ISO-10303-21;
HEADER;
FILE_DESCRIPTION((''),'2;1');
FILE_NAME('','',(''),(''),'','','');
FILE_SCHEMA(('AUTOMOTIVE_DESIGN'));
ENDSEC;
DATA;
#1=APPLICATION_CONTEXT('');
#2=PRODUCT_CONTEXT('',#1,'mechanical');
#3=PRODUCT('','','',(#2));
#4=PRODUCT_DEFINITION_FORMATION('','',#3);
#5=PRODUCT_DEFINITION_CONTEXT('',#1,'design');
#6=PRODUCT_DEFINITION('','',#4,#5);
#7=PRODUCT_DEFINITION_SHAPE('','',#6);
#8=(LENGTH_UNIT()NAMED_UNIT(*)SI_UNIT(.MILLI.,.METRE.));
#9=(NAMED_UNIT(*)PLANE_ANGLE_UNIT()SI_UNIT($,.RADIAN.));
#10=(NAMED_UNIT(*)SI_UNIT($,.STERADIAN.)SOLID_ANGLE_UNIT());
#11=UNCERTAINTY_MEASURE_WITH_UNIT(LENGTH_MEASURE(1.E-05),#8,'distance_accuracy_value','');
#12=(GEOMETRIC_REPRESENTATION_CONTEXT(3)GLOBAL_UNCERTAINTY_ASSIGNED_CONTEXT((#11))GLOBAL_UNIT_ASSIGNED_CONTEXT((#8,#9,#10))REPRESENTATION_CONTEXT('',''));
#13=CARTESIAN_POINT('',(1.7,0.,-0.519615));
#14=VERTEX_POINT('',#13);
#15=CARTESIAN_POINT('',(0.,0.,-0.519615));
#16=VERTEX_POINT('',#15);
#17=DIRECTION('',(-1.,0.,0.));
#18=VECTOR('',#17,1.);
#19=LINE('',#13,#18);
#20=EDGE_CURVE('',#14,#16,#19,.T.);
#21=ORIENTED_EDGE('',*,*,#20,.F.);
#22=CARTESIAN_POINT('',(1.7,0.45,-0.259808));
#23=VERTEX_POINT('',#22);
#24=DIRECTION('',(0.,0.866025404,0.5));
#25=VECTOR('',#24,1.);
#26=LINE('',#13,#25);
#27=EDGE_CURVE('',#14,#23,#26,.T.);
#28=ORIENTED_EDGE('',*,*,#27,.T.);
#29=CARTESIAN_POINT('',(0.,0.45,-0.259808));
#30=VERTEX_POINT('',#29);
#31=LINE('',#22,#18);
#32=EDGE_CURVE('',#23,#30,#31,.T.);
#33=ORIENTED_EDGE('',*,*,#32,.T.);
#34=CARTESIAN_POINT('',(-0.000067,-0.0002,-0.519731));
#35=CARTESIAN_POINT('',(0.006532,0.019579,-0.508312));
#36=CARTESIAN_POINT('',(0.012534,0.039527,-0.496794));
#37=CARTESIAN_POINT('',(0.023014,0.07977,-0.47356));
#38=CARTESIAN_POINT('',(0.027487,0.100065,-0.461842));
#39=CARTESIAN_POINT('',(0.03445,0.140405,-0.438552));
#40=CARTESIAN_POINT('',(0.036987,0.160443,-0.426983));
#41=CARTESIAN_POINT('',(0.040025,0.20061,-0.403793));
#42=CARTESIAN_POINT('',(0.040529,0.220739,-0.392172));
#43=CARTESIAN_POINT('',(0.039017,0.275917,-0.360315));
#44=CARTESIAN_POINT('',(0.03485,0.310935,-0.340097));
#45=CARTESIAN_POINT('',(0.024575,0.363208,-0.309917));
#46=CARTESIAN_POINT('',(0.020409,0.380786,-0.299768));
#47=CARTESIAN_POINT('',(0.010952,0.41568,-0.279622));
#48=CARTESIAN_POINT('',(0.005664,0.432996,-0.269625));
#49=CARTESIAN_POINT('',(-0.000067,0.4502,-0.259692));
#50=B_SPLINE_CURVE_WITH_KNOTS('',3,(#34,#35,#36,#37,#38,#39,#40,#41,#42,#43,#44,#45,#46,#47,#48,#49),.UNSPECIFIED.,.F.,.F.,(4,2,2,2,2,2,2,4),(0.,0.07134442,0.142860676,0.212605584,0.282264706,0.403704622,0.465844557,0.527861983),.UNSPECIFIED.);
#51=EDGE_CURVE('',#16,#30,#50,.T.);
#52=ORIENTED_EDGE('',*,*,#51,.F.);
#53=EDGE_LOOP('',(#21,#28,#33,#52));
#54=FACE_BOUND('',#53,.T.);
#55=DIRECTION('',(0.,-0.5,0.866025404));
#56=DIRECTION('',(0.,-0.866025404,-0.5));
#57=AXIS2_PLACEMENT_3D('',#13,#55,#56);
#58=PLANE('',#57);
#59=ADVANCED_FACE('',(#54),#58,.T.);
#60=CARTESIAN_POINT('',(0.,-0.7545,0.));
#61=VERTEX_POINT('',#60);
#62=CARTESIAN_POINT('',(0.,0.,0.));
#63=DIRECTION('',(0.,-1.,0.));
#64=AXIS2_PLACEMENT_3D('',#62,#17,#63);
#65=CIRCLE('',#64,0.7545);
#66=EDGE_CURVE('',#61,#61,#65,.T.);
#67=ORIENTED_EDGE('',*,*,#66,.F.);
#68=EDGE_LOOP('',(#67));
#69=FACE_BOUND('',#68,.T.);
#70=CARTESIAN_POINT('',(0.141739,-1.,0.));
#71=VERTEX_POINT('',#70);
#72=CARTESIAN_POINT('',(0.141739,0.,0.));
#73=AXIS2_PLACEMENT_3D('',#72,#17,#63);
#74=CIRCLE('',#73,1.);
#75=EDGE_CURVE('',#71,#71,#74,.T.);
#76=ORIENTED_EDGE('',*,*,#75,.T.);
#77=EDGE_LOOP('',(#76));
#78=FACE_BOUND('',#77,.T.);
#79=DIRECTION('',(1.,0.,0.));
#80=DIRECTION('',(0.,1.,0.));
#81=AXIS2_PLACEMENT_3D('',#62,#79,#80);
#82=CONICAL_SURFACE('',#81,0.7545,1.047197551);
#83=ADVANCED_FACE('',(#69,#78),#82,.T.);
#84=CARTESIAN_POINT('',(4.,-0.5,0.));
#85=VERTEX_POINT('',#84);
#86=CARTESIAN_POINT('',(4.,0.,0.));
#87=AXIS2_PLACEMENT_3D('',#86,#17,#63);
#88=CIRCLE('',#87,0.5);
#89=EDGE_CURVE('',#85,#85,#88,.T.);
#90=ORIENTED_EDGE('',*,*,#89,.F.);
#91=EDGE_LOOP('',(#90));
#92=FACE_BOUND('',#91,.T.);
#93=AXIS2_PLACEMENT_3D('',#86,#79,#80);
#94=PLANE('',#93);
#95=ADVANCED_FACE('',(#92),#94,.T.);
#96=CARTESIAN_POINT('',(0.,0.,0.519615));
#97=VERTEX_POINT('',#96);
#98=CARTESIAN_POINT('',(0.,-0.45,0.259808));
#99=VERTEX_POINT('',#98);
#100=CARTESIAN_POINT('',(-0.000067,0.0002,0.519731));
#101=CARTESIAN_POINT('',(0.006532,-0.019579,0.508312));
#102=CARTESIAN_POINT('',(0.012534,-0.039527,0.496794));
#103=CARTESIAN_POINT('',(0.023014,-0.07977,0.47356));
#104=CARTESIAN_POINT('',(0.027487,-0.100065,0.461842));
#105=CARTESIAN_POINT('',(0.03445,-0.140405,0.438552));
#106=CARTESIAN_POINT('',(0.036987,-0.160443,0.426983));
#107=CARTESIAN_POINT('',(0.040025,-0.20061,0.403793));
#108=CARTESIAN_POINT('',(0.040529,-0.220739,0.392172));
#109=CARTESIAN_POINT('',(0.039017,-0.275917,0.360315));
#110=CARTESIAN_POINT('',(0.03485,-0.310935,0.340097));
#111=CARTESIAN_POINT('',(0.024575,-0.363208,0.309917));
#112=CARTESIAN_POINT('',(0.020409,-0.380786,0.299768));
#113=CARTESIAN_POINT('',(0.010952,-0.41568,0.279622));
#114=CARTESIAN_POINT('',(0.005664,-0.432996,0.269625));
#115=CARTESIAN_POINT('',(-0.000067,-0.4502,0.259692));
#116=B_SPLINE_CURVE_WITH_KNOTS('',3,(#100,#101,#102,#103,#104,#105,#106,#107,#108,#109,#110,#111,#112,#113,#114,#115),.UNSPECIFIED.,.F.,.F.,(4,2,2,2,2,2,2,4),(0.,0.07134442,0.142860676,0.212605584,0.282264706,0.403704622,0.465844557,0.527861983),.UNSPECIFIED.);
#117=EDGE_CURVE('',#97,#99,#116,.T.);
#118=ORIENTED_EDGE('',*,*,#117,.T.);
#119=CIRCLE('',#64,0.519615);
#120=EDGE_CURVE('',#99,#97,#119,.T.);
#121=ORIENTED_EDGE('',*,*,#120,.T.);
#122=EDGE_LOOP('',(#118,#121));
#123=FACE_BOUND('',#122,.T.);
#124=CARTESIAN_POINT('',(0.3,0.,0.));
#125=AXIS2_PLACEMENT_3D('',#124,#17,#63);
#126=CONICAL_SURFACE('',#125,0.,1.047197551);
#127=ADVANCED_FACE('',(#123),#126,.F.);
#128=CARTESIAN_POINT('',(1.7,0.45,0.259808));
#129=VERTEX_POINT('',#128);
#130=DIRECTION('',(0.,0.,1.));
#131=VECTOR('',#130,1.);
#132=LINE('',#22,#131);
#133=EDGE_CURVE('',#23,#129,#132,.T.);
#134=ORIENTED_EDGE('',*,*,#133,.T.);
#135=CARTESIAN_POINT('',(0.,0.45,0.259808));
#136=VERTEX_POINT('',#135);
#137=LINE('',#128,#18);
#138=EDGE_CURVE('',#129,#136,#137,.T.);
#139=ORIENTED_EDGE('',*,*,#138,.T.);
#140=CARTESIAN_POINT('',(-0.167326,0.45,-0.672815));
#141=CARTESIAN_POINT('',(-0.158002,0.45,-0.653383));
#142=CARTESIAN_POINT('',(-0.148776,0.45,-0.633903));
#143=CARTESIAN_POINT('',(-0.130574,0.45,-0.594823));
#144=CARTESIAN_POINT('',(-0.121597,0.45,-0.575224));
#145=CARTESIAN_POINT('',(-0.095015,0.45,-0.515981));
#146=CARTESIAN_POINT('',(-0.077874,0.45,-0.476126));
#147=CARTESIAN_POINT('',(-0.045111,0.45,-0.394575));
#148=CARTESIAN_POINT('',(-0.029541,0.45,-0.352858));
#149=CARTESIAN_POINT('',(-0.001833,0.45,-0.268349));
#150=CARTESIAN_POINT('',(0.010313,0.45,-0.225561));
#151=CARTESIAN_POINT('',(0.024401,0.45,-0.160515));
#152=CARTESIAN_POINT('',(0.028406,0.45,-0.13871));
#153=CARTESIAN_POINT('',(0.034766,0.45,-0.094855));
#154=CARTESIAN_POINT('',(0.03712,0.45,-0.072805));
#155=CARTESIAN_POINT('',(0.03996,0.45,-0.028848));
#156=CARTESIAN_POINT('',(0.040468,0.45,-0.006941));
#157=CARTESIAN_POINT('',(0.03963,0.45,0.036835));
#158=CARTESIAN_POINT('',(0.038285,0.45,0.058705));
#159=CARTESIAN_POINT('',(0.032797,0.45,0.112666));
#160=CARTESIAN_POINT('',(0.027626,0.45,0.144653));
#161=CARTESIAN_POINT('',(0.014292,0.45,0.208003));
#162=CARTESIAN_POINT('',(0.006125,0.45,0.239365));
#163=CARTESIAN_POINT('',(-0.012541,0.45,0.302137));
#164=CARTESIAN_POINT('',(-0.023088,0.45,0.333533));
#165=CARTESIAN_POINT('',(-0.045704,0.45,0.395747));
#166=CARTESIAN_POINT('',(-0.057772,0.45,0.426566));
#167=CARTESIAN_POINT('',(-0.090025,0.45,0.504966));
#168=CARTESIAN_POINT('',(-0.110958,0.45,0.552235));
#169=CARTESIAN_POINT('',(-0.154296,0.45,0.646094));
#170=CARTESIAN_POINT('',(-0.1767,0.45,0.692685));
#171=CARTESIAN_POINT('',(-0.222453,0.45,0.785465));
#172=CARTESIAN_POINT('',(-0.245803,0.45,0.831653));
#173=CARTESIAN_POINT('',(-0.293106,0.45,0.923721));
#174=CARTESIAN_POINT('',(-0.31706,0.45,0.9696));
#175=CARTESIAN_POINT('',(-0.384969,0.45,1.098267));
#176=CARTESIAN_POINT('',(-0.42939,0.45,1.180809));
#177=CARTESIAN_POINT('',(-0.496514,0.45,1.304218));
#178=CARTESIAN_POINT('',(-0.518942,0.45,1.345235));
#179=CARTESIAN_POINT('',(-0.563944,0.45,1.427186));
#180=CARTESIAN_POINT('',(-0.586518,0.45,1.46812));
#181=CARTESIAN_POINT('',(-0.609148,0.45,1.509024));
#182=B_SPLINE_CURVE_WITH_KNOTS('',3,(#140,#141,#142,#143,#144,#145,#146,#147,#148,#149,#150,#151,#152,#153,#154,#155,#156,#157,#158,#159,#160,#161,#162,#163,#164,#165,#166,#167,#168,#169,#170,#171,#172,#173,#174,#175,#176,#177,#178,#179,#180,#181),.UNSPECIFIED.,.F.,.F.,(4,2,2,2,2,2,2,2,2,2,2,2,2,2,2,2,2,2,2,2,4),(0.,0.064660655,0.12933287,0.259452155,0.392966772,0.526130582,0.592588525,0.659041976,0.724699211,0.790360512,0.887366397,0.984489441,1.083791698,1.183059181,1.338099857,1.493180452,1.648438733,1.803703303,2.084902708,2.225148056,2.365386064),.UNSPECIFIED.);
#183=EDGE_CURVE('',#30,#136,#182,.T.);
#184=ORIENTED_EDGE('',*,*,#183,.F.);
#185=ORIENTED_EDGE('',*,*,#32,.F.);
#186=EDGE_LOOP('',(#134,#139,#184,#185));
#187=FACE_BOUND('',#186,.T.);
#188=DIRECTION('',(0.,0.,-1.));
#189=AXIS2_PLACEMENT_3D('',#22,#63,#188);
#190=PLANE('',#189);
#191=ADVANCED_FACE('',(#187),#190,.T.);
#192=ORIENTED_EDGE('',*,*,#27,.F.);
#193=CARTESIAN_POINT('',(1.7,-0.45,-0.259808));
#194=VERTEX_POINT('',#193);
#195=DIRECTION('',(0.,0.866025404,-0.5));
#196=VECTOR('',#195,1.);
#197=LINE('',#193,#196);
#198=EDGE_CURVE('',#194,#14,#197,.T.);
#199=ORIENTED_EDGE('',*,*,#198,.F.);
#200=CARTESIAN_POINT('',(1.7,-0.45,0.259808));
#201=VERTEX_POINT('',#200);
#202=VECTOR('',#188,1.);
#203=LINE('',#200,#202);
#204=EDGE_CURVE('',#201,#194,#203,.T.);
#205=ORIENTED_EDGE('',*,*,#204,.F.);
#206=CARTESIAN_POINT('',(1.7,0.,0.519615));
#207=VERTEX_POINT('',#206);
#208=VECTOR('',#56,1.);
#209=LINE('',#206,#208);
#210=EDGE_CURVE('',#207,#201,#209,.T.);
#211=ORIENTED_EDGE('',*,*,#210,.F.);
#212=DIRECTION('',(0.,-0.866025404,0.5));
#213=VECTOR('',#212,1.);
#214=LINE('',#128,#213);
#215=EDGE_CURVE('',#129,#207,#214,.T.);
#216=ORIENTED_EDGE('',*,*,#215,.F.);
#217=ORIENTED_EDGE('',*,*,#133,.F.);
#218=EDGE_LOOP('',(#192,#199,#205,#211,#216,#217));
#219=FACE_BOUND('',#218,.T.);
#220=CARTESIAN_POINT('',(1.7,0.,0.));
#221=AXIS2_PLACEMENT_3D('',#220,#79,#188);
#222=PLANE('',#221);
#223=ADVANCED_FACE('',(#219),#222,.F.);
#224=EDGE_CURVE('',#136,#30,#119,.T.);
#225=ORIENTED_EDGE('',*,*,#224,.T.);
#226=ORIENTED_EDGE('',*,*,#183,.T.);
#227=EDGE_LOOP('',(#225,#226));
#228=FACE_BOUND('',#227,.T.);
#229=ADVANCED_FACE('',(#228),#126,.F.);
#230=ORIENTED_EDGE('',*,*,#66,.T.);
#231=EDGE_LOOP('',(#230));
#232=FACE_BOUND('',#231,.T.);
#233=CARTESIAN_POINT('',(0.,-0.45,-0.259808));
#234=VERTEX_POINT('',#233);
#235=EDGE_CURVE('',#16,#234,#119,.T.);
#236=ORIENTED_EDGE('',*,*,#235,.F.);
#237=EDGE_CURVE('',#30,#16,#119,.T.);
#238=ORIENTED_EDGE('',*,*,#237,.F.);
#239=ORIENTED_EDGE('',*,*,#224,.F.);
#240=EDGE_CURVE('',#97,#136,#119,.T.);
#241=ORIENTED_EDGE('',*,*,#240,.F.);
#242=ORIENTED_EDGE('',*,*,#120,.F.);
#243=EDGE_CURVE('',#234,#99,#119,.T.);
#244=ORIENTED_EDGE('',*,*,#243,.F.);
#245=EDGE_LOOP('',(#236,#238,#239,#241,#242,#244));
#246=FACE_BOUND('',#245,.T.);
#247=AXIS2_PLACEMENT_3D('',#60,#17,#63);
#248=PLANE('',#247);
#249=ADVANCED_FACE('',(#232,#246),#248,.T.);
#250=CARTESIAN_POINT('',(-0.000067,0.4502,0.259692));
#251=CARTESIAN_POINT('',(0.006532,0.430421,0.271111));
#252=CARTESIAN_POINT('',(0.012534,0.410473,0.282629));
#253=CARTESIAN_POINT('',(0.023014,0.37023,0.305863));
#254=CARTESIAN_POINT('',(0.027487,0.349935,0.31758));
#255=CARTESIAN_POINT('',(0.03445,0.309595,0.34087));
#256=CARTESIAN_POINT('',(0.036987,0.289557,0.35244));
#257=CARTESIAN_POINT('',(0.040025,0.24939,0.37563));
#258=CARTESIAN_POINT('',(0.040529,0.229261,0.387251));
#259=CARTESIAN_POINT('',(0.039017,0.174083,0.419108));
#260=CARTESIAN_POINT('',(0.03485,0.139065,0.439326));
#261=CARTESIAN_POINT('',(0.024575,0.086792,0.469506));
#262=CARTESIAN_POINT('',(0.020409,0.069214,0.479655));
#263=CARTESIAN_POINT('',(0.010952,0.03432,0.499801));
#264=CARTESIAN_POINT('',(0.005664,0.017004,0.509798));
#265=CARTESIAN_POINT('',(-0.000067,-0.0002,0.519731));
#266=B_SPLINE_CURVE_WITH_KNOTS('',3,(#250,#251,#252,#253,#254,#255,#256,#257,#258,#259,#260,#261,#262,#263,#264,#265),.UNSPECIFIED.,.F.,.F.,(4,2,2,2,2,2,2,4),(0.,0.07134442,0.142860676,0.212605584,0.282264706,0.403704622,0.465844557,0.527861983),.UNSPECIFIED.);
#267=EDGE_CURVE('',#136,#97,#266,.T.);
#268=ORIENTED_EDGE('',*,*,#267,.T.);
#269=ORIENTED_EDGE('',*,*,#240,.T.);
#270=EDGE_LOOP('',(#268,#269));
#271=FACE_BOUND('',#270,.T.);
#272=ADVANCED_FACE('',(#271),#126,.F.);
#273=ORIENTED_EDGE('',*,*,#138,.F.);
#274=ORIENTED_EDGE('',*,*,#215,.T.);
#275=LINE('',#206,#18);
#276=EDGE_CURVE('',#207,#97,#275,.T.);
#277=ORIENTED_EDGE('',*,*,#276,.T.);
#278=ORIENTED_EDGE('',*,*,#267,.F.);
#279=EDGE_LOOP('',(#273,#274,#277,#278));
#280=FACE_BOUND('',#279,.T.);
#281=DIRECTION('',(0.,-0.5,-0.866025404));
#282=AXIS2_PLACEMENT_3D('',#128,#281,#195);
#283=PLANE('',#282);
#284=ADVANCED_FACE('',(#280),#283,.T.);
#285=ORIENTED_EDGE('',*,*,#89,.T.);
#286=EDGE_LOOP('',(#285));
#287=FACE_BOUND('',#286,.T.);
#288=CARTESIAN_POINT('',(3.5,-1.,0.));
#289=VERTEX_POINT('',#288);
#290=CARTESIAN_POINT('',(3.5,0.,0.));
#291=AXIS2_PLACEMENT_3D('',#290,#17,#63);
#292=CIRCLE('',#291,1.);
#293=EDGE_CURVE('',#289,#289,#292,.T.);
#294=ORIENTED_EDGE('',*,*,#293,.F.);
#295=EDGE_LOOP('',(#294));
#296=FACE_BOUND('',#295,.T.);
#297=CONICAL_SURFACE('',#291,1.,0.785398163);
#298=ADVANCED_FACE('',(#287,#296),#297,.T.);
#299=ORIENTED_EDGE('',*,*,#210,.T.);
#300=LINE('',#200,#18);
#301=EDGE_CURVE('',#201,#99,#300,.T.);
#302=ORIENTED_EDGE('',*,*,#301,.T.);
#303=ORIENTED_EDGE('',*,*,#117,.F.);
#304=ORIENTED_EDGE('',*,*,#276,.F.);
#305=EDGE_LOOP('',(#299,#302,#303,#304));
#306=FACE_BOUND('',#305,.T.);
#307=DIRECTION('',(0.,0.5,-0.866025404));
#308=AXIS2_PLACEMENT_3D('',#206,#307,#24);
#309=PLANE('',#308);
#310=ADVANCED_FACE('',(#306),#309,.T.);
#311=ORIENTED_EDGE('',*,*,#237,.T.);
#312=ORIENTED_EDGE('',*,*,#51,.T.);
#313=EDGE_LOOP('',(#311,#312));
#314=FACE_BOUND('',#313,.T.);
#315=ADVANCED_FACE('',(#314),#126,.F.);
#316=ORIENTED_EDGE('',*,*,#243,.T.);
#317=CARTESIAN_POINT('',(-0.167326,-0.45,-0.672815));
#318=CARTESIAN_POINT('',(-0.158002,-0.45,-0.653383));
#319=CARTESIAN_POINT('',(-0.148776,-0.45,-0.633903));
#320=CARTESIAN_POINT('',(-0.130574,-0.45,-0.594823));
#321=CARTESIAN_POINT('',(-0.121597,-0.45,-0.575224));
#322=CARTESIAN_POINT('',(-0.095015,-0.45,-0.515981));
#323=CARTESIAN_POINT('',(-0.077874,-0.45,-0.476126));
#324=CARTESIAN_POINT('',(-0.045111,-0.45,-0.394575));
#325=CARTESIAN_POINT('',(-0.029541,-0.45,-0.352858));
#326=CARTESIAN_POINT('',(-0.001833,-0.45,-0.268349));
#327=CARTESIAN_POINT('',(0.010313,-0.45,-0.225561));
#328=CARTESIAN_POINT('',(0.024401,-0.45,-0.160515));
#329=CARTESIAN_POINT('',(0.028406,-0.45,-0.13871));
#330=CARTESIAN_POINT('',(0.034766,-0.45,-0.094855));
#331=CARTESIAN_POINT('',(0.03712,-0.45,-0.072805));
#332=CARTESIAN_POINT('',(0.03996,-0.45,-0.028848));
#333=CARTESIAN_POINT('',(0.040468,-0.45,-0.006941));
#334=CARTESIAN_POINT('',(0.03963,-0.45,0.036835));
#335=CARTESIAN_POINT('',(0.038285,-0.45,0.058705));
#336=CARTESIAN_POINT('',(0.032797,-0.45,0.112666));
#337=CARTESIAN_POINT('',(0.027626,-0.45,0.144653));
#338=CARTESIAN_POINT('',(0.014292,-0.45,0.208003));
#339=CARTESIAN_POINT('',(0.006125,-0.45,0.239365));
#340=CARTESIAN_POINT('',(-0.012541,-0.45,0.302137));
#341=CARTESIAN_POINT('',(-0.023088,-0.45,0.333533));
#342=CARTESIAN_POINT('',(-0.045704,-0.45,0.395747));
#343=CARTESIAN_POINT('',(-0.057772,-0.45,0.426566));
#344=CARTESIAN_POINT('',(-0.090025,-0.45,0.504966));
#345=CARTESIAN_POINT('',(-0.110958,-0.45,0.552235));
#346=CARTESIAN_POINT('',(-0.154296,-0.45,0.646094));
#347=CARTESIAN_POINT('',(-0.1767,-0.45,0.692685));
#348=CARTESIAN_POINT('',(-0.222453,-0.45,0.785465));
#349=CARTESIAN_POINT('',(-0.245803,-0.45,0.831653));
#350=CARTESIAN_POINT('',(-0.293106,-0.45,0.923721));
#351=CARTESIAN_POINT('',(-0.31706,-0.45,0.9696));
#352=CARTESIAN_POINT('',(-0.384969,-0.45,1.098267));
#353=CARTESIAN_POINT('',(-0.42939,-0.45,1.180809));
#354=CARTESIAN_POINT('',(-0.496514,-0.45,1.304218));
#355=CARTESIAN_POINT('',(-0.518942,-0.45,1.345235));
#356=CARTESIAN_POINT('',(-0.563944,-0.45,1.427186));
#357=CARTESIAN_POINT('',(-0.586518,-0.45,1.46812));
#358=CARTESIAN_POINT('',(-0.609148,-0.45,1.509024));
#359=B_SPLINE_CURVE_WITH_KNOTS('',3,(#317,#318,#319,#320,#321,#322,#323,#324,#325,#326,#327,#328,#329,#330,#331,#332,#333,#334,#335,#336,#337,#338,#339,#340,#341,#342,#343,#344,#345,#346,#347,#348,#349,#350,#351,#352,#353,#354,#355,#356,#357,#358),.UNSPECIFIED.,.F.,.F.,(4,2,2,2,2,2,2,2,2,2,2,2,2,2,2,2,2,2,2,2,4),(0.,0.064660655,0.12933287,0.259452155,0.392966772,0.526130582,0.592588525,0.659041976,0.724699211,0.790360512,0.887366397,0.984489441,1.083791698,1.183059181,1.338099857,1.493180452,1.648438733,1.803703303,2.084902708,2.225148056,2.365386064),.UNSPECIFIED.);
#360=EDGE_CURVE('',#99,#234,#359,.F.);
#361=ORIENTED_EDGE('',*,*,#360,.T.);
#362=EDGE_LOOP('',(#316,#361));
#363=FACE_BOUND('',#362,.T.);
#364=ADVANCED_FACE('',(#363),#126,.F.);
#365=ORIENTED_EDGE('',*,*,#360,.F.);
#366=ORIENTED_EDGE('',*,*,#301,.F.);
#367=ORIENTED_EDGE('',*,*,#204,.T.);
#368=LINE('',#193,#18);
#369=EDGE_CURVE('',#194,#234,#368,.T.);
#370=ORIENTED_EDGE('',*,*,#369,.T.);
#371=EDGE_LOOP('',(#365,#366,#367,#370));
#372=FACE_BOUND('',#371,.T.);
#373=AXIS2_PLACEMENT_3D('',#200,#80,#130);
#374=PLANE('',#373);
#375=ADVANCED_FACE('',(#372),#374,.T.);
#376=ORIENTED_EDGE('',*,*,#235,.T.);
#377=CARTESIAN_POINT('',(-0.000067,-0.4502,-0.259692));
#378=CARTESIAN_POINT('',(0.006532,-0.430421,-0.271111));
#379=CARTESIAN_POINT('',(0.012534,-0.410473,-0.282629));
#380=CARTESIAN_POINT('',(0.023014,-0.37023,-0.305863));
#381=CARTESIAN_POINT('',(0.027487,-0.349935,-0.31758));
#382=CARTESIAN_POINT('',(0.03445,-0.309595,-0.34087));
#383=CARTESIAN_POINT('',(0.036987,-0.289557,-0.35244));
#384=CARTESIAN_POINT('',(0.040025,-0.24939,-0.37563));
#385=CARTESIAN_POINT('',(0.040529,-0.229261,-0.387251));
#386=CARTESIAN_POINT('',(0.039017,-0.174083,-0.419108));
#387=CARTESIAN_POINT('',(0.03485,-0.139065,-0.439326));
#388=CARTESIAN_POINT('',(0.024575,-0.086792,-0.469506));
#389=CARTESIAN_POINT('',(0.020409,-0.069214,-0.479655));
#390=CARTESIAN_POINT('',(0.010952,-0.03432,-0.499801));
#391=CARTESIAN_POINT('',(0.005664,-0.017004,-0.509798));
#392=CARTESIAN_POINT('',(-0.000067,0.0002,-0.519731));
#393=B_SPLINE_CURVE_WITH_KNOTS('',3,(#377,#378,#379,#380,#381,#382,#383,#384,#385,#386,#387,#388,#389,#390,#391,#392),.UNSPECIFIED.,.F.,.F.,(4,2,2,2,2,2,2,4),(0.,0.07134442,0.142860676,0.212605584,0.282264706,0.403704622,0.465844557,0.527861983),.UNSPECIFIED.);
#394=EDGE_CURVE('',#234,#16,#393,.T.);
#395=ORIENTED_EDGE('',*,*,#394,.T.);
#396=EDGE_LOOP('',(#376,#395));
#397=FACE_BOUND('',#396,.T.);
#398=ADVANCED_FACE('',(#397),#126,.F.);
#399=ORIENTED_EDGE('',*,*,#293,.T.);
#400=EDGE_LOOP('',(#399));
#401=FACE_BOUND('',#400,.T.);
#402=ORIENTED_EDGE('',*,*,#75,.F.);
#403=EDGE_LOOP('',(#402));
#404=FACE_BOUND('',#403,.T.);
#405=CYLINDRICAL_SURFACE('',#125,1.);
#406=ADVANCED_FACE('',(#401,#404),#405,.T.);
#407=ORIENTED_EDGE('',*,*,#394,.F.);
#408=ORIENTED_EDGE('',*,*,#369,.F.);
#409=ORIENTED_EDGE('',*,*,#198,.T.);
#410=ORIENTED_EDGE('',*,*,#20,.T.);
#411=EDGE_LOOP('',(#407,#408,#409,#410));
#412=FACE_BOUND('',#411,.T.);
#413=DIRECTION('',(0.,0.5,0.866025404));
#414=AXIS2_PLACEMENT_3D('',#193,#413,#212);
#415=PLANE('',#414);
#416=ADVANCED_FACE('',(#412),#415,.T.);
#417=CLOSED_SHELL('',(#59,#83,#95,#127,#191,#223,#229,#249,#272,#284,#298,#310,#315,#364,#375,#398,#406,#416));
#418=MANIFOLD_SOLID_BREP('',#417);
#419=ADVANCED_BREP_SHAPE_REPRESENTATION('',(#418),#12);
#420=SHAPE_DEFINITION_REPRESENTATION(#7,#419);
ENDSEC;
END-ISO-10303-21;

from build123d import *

# Parameters (mm, degrees)
CUT_EXTRUDE1_DEPTH = 1.7


with BuildPart() as part:
    # Sketch1 → Revolve1 (revolve)
    with BuildSketch(Plane.XY):
        Polygon((4, 0), (4, -0.5), (3.5, -1), (0.141739491, -1), (0, -0.7545), (0, -0.519615242), (0.3, 0), align=None)
    revolve(axis=Axis((0.3, 0, 0), (1, 0, 0)))

    # Sketch2 → Cut-Extrude1 (cut)
    with BuildSketch(Plane(origin=(0, 0, 0), x_dir=(0, 0, -1), z_dir=(1, 0, 0))):
        Polygon((-0.519615242, 0), (-0.259807621, -0.45), (0.259807621, -0.45), (0.519615242, 0), (0.259807621, 0.45), (-0.259807621, 0.45), align=None)
    extrude(amount=CUT_EXTRUDE1_DEPTH, mode=Mode.SUBTRACT)


solid = part.part
